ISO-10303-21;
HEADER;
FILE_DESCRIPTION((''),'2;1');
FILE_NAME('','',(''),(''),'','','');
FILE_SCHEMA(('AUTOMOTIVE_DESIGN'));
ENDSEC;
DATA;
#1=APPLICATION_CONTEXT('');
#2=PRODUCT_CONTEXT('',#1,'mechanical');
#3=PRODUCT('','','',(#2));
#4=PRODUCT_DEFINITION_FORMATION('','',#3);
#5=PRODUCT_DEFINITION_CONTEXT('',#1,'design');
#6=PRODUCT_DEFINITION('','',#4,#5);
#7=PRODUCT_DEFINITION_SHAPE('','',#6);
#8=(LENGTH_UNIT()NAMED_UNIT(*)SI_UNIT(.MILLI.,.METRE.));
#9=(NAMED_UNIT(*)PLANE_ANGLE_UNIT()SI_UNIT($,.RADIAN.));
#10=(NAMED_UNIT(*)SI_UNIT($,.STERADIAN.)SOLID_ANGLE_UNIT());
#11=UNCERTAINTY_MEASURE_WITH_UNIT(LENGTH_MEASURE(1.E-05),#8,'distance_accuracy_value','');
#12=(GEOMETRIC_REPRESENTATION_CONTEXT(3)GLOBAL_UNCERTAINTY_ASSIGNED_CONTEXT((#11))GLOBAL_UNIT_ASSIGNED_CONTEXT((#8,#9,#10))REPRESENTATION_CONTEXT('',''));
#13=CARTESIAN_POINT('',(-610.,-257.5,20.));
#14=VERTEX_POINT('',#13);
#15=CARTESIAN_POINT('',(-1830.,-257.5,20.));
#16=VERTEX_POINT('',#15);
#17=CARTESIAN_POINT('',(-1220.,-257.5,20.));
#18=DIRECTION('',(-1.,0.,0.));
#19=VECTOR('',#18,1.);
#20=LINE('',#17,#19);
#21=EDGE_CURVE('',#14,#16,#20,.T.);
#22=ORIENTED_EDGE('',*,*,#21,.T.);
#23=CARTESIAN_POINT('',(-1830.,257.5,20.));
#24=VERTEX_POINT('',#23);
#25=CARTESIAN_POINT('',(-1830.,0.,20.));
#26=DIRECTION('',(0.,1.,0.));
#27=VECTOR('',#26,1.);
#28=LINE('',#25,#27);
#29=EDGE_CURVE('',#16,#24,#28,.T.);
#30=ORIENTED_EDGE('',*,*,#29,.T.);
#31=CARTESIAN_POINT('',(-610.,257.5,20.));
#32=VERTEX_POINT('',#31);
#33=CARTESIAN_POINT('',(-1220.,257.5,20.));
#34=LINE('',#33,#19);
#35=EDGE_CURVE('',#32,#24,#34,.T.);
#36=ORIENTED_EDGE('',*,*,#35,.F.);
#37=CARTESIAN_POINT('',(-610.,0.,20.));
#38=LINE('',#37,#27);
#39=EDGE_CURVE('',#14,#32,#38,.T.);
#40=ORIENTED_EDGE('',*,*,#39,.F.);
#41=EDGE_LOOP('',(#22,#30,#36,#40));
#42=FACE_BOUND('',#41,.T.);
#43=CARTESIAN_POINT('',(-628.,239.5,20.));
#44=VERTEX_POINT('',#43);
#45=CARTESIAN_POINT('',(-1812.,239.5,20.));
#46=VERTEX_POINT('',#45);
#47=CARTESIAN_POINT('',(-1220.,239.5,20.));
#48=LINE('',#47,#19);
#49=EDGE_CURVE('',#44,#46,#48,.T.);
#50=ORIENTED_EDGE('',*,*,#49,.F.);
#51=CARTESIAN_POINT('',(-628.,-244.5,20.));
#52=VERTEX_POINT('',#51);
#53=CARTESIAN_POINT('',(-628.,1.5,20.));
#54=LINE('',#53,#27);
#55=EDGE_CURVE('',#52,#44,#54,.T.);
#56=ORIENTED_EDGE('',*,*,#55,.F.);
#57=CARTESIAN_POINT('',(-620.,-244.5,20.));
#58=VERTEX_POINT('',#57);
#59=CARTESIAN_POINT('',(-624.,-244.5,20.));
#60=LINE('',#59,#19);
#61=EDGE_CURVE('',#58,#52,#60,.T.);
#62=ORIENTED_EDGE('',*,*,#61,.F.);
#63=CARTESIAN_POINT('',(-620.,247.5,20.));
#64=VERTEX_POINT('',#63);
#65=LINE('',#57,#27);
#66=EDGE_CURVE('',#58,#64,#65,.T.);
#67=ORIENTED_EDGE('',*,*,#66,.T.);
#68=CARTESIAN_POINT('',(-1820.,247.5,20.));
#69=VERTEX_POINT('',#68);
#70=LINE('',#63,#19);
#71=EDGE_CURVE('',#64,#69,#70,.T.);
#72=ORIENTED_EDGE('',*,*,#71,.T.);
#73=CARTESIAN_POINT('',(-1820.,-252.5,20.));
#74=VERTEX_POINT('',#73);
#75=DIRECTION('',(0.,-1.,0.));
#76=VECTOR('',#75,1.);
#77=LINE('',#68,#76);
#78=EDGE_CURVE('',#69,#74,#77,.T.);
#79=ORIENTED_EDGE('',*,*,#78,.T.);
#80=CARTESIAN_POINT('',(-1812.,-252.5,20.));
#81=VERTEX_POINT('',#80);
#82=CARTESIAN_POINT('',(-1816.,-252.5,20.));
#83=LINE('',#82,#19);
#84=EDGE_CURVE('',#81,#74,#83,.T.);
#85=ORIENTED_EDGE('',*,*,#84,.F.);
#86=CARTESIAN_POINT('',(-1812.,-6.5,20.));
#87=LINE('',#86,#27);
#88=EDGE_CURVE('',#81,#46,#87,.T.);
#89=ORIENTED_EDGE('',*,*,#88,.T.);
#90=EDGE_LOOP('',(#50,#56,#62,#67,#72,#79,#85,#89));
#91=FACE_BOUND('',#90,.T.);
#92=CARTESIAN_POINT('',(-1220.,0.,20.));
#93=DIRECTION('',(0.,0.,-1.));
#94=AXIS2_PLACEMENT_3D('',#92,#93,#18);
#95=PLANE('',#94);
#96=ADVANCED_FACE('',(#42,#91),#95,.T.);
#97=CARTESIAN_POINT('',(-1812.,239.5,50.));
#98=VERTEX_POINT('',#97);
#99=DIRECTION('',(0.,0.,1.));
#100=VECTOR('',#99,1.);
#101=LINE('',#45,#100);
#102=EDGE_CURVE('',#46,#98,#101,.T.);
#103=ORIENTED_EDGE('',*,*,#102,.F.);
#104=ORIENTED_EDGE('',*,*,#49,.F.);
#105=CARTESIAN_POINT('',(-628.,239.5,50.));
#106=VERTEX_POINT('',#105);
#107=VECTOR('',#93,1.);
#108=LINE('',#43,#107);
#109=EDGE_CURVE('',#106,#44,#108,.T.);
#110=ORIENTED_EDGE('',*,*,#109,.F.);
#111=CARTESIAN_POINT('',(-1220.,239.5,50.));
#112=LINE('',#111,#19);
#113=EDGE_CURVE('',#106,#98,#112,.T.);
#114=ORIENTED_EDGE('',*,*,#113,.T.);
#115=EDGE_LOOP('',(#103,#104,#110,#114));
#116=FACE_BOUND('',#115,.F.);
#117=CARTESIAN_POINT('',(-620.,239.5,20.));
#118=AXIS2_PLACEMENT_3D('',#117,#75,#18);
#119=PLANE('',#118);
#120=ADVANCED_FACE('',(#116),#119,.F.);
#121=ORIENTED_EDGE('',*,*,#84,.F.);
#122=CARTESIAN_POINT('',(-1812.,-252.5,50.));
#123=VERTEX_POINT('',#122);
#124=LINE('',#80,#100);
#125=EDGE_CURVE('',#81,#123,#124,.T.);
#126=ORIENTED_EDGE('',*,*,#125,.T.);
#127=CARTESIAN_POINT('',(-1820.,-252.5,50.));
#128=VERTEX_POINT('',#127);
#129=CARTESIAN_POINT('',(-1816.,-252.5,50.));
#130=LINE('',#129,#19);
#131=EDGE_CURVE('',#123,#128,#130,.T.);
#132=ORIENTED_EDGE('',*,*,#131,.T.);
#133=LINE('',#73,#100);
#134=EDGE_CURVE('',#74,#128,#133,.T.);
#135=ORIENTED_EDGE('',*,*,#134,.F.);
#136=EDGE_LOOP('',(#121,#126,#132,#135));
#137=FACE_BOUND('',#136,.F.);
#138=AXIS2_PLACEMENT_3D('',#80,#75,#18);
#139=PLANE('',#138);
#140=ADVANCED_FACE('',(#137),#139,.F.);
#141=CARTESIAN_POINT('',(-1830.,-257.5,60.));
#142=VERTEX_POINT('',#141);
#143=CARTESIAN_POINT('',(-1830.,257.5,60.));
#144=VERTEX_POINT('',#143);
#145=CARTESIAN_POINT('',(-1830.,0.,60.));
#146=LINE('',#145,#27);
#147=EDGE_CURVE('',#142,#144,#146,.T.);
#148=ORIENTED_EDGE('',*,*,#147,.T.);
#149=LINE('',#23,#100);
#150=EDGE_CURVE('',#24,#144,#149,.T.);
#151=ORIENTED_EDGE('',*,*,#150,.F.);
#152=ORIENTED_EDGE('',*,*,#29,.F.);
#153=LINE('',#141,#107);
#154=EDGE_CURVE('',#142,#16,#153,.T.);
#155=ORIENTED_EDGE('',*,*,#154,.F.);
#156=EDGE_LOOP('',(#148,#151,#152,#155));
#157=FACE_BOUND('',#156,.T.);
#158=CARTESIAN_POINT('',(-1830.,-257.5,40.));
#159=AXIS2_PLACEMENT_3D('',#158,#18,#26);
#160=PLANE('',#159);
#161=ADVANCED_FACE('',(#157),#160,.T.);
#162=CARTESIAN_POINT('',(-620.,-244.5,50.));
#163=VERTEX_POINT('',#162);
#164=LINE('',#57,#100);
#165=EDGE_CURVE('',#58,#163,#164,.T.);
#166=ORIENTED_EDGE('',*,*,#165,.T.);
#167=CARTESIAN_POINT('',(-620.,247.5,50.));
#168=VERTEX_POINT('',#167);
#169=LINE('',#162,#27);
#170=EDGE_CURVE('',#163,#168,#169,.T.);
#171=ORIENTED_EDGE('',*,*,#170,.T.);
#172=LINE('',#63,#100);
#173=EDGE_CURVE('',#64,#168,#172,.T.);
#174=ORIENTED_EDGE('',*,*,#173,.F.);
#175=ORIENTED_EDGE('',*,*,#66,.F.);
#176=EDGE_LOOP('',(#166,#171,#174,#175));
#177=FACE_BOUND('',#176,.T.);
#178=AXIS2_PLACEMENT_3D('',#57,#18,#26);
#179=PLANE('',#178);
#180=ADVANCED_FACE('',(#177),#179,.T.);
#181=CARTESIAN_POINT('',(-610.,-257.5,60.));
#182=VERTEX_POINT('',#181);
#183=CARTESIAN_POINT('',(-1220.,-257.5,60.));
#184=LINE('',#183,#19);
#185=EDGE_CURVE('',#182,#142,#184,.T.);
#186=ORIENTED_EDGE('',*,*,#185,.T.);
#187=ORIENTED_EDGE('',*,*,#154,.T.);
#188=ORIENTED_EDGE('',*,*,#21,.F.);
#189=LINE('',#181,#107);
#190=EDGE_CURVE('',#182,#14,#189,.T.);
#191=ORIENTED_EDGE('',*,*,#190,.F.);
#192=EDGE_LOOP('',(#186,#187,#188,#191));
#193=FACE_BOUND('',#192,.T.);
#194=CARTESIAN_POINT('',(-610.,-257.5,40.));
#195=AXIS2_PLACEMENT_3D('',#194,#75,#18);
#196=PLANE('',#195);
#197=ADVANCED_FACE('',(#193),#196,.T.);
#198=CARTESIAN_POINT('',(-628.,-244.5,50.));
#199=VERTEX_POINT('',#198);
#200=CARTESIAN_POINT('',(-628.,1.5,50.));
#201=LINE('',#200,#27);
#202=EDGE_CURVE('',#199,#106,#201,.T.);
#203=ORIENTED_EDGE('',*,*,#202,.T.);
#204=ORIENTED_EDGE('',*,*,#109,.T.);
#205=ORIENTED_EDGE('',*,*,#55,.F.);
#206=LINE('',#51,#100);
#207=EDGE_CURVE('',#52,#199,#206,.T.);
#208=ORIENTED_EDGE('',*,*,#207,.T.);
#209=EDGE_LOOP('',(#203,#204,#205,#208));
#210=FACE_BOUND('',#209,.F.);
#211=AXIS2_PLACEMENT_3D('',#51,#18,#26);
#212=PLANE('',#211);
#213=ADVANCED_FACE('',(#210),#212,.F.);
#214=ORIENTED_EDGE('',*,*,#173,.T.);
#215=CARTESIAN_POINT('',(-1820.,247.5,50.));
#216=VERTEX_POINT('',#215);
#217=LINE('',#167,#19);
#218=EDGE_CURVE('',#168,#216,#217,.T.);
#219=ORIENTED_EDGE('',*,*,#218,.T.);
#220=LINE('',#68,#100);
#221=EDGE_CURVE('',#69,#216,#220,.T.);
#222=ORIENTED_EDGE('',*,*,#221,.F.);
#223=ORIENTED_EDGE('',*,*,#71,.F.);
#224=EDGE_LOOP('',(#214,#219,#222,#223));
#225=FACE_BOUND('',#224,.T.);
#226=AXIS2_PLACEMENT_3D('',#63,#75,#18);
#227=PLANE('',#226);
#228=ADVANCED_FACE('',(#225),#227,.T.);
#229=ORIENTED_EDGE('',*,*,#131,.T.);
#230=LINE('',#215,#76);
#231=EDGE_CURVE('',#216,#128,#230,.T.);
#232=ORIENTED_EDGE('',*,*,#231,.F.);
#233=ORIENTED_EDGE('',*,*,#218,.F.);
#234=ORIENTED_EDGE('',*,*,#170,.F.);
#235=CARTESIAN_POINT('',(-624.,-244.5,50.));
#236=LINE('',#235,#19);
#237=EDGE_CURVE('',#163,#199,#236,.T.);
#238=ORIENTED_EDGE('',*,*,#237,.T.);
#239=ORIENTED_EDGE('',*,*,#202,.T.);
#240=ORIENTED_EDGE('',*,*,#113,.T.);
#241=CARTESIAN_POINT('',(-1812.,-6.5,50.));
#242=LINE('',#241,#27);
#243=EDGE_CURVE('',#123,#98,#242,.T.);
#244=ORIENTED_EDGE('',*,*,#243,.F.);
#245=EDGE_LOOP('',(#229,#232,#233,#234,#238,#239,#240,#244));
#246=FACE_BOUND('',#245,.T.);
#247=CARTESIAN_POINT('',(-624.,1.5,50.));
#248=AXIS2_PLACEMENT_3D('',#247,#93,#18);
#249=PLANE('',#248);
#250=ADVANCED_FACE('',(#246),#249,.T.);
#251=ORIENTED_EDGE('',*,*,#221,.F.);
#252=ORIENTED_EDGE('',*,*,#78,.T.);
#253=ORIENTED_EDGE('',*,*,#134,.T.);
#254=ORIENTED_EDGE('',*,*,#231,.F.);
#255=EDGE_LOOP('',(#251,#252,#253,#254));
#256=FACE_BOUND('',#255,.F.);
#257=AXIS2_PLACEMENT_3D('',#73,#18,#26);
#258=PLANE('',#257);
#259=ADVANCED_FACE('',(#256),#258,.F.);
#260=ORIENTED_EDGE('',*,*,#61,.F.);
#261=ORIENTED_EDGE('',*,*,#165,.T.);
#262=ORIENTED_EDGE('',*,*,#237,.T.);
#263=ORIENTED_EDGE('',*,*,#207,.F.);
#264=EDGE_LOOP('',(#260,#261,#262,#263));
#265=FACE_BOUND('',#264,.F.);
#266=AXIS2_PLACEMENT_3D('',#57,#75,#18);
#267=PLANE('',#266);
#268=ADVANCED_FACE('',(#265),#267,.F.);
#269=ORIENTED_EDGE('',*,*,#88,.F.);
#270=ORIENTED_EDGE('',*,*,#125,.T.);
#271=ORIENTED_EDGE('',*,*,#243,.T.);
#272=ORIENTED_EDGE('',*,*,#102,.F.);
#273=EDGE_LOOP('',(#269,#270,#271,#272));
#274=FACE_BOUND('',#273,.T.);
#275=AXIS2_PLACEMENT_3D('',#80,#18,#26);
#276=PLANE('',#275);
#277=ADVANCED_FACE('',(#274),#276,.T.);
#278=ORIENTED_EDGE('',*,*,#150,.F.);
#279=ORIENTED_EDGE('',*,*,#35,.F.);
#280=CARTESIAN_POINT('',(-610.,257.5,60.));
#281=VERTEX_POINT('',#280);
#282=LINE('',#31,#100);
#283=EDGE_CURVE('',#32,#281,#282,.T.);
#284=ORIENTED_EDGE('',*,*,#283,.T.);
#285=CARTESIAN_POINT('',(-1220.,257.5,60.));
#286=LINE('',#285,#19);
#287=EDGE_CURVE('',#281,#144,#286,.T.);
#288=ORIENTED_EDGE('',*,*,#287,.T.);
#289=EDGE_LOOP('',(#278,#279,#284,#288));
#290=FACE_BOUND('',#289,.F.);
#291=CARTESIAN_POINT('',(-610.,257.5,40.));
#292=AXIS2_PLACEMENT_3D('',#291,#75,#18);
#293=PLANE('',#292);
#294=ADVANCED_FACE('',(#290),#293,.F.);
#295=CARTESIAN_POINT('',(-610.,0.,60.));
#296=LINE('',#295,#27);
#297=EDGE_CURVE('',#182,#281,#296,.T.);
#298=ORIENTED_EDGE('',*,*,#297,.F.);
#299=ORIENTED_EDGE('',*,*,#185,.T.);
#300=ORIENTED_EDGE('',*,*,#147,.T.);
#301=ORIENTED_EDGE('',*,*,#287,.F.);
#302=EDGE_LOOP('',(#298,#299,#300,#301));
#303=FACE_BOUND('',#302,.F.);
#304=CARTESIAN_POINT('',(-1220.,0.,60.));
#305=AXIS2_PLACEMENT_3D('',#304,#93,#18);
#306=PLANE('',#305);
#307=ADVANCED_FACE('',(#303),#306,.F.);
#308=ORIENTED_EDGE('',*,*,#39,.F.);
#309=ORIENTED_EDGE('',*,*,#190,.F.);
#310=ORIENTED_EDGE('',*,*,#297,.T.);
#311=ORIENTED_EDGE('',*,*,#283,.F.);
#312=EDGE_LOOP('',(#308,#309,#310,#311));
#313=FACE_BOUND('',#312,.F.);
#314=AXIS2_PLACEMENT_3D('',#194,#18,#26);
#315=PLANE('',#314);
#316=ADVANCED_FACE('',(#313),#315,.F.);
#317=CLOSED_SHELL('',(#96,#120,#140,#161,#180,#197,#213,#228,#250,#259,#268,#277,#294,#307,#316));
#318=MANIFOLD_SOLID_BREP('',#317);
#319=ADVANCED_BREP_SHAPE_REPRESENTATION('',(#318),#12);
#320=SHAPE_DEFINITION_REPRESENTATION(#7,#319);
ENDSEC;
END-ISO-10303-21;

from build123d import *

# Parameters (mm, degrees)
F0_W     = 1220
F0_H     = 515
F1_DEPTH = 20
F2_W     = 1200
F2_H     = 8
F3_DEPTH = 30
F4_W     = 8
F4_H     = 492
F5_DEPTH = 30
F6_W     = 8
F6_H     = 492
F7_DEPTH = 30
F8_ANGLE = 180


with BuildPart() as f1:
    # F0 (on Top) → F1 (new body, symmetric)
    with BuildSketch(Plane.XY):
        Rectangle(F0_W, F0_H)
    extrude(amount=F1_DEPTH, both=True)

    # F2 (on face) → F3 (cut)
    with BuildSketch(Plane.XY.offset(20)):
        with Locations((0, 243.5)):
            Rectangle(F2_W, F2_H)
    extrude(amount=-F3_DEPTH, mode=Mode.SUBTRACT)

    # F4 (on face) → F5 (cut)
    with BuildSketch(Plane.XY.offset(20)):
        with Locations((-596, 1.5)):
            Rectangle(F4_W, F4_H)
    extrude(amount=-F5_DEPTH, mode=Mode.SUBTRACT)

    # F6 (on face) → F7 (cut)
    with BuildSketch(Plane.XY.offset(20)):
        with Locations((596, -6.5)):
            Rectangle(F6_W, F6_H)
    extrude(amount=-F7_DEPTH, mode=Mode.SUBTRACT)


with BuildPart() as f1_1:
    # F8: moved
    add(f1.part.rotate(Axis((-610, 0, 20), (0, 1, 0)), F8_ANGLE))


solid = f1_1.part
